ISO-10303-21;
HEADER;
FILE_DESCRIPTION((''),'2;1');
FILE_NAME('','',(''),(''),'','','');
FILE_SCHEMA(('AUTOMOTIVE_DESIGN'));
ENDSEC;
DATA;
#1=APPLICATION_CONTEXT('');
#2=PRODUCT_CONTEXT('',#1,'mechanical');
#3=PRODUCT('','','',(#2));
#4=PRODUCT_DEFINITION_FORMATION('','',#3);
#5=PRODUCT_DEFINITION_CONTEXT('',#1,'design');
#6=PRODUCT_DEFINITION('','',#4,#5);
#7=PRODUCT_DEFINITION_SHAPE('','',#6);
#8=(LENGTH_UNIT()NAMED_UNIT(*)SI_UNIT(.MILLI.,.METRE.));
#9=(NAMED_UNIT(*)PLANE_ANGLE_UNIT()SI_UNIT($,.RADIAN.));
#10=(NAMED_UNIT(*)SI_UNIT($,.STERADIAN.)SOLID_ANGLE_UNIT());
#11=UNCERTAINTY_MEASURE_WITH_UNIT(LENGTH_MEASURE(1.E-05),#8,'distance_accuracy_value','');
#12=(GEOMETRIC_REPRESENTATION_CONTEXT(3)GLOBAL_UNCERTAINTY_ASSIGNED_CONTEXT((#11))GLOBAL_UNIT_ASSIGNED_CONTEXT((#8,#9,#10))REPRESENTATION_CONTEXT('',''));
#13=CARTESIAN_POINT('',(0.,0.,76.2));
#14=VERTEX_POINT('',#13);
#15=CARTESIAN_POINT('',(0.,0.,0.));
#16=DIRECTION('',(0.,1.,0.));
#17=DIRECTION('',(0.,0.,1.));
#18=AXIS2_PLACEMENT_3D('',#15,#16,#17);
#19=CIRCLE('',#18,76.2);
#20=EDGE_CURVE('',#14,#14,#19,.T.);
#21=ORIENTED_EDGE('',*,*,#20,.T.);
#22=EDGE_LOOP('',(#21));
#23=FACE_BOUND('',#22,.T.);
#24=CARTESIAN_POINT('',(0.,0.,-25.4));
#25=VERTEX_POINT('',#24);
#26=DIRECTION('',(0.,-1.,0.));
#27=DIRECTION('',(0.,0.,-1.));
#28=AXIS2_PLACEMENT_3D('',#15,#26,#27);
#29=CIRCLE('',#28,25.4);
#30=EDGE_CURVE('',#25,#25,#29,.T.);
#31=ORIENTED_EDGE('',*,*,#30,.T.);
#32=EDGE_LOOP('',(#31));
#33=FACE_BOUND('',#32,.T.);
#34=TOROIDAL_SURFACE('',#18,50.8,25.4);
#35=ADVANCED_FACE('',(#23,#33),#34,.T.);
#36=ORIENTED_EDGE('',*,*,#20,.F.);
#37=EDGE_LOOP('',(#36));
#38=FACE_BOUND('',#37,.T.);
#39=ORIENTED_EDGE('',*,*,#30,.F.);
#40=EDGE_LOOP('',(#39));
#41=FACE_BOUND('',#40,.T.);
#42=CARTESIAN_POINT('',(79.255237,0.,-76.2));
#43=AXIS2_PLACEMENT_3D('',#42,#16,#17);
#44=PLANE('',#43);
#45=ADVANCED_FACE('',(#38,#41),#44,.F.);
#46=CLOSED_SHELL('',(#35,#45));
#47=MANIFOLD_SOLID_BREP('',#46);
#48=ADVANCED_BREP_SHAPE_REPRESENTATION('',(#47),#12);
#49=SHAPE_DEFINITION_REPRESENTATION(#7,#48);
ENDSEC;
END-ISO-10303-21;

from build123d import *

# Parameters (mm, degrees)
SKETCH1_R               = 25.4
CUT_EXTRUDE1_DEPTH      = 111.716033327
CUT_EXTRUDE1_DEPTH_BACK = 111.716033327
SKETCH2_W               = 159.238420365
SKETCH2_H               = 33.394571585


with BuildPart() as part:
    # Sketch1 → Base-Revolve (revolve)
    with BuildSketch(Plane.XY):
        with Locations((50.8, 0)):
            Circle(SKETCH1_R)
    revolve(axis=Axis((0, 70.114951321, 0), (0, -1, 0)))

    # Sketch2 → Cut-Extrude1 (cut, two sides: drawn at the far end of the back side and taken through both)
    with BuildSketch(Plane.XY.offset(-CUT_EXTRUDE1_DEPTH_BACK)):
        with Locations((-0.363973533, -16.697285793)):
            Rectangle(SKETCH2_W, SKETCH2_H)
    extrude(amount=CUT_EXTRUDE1_DEPTH + CUT_EXTRUDE1_DEPTH_BACK, mode=Mode.SUBTRACT)


solid = part.part
